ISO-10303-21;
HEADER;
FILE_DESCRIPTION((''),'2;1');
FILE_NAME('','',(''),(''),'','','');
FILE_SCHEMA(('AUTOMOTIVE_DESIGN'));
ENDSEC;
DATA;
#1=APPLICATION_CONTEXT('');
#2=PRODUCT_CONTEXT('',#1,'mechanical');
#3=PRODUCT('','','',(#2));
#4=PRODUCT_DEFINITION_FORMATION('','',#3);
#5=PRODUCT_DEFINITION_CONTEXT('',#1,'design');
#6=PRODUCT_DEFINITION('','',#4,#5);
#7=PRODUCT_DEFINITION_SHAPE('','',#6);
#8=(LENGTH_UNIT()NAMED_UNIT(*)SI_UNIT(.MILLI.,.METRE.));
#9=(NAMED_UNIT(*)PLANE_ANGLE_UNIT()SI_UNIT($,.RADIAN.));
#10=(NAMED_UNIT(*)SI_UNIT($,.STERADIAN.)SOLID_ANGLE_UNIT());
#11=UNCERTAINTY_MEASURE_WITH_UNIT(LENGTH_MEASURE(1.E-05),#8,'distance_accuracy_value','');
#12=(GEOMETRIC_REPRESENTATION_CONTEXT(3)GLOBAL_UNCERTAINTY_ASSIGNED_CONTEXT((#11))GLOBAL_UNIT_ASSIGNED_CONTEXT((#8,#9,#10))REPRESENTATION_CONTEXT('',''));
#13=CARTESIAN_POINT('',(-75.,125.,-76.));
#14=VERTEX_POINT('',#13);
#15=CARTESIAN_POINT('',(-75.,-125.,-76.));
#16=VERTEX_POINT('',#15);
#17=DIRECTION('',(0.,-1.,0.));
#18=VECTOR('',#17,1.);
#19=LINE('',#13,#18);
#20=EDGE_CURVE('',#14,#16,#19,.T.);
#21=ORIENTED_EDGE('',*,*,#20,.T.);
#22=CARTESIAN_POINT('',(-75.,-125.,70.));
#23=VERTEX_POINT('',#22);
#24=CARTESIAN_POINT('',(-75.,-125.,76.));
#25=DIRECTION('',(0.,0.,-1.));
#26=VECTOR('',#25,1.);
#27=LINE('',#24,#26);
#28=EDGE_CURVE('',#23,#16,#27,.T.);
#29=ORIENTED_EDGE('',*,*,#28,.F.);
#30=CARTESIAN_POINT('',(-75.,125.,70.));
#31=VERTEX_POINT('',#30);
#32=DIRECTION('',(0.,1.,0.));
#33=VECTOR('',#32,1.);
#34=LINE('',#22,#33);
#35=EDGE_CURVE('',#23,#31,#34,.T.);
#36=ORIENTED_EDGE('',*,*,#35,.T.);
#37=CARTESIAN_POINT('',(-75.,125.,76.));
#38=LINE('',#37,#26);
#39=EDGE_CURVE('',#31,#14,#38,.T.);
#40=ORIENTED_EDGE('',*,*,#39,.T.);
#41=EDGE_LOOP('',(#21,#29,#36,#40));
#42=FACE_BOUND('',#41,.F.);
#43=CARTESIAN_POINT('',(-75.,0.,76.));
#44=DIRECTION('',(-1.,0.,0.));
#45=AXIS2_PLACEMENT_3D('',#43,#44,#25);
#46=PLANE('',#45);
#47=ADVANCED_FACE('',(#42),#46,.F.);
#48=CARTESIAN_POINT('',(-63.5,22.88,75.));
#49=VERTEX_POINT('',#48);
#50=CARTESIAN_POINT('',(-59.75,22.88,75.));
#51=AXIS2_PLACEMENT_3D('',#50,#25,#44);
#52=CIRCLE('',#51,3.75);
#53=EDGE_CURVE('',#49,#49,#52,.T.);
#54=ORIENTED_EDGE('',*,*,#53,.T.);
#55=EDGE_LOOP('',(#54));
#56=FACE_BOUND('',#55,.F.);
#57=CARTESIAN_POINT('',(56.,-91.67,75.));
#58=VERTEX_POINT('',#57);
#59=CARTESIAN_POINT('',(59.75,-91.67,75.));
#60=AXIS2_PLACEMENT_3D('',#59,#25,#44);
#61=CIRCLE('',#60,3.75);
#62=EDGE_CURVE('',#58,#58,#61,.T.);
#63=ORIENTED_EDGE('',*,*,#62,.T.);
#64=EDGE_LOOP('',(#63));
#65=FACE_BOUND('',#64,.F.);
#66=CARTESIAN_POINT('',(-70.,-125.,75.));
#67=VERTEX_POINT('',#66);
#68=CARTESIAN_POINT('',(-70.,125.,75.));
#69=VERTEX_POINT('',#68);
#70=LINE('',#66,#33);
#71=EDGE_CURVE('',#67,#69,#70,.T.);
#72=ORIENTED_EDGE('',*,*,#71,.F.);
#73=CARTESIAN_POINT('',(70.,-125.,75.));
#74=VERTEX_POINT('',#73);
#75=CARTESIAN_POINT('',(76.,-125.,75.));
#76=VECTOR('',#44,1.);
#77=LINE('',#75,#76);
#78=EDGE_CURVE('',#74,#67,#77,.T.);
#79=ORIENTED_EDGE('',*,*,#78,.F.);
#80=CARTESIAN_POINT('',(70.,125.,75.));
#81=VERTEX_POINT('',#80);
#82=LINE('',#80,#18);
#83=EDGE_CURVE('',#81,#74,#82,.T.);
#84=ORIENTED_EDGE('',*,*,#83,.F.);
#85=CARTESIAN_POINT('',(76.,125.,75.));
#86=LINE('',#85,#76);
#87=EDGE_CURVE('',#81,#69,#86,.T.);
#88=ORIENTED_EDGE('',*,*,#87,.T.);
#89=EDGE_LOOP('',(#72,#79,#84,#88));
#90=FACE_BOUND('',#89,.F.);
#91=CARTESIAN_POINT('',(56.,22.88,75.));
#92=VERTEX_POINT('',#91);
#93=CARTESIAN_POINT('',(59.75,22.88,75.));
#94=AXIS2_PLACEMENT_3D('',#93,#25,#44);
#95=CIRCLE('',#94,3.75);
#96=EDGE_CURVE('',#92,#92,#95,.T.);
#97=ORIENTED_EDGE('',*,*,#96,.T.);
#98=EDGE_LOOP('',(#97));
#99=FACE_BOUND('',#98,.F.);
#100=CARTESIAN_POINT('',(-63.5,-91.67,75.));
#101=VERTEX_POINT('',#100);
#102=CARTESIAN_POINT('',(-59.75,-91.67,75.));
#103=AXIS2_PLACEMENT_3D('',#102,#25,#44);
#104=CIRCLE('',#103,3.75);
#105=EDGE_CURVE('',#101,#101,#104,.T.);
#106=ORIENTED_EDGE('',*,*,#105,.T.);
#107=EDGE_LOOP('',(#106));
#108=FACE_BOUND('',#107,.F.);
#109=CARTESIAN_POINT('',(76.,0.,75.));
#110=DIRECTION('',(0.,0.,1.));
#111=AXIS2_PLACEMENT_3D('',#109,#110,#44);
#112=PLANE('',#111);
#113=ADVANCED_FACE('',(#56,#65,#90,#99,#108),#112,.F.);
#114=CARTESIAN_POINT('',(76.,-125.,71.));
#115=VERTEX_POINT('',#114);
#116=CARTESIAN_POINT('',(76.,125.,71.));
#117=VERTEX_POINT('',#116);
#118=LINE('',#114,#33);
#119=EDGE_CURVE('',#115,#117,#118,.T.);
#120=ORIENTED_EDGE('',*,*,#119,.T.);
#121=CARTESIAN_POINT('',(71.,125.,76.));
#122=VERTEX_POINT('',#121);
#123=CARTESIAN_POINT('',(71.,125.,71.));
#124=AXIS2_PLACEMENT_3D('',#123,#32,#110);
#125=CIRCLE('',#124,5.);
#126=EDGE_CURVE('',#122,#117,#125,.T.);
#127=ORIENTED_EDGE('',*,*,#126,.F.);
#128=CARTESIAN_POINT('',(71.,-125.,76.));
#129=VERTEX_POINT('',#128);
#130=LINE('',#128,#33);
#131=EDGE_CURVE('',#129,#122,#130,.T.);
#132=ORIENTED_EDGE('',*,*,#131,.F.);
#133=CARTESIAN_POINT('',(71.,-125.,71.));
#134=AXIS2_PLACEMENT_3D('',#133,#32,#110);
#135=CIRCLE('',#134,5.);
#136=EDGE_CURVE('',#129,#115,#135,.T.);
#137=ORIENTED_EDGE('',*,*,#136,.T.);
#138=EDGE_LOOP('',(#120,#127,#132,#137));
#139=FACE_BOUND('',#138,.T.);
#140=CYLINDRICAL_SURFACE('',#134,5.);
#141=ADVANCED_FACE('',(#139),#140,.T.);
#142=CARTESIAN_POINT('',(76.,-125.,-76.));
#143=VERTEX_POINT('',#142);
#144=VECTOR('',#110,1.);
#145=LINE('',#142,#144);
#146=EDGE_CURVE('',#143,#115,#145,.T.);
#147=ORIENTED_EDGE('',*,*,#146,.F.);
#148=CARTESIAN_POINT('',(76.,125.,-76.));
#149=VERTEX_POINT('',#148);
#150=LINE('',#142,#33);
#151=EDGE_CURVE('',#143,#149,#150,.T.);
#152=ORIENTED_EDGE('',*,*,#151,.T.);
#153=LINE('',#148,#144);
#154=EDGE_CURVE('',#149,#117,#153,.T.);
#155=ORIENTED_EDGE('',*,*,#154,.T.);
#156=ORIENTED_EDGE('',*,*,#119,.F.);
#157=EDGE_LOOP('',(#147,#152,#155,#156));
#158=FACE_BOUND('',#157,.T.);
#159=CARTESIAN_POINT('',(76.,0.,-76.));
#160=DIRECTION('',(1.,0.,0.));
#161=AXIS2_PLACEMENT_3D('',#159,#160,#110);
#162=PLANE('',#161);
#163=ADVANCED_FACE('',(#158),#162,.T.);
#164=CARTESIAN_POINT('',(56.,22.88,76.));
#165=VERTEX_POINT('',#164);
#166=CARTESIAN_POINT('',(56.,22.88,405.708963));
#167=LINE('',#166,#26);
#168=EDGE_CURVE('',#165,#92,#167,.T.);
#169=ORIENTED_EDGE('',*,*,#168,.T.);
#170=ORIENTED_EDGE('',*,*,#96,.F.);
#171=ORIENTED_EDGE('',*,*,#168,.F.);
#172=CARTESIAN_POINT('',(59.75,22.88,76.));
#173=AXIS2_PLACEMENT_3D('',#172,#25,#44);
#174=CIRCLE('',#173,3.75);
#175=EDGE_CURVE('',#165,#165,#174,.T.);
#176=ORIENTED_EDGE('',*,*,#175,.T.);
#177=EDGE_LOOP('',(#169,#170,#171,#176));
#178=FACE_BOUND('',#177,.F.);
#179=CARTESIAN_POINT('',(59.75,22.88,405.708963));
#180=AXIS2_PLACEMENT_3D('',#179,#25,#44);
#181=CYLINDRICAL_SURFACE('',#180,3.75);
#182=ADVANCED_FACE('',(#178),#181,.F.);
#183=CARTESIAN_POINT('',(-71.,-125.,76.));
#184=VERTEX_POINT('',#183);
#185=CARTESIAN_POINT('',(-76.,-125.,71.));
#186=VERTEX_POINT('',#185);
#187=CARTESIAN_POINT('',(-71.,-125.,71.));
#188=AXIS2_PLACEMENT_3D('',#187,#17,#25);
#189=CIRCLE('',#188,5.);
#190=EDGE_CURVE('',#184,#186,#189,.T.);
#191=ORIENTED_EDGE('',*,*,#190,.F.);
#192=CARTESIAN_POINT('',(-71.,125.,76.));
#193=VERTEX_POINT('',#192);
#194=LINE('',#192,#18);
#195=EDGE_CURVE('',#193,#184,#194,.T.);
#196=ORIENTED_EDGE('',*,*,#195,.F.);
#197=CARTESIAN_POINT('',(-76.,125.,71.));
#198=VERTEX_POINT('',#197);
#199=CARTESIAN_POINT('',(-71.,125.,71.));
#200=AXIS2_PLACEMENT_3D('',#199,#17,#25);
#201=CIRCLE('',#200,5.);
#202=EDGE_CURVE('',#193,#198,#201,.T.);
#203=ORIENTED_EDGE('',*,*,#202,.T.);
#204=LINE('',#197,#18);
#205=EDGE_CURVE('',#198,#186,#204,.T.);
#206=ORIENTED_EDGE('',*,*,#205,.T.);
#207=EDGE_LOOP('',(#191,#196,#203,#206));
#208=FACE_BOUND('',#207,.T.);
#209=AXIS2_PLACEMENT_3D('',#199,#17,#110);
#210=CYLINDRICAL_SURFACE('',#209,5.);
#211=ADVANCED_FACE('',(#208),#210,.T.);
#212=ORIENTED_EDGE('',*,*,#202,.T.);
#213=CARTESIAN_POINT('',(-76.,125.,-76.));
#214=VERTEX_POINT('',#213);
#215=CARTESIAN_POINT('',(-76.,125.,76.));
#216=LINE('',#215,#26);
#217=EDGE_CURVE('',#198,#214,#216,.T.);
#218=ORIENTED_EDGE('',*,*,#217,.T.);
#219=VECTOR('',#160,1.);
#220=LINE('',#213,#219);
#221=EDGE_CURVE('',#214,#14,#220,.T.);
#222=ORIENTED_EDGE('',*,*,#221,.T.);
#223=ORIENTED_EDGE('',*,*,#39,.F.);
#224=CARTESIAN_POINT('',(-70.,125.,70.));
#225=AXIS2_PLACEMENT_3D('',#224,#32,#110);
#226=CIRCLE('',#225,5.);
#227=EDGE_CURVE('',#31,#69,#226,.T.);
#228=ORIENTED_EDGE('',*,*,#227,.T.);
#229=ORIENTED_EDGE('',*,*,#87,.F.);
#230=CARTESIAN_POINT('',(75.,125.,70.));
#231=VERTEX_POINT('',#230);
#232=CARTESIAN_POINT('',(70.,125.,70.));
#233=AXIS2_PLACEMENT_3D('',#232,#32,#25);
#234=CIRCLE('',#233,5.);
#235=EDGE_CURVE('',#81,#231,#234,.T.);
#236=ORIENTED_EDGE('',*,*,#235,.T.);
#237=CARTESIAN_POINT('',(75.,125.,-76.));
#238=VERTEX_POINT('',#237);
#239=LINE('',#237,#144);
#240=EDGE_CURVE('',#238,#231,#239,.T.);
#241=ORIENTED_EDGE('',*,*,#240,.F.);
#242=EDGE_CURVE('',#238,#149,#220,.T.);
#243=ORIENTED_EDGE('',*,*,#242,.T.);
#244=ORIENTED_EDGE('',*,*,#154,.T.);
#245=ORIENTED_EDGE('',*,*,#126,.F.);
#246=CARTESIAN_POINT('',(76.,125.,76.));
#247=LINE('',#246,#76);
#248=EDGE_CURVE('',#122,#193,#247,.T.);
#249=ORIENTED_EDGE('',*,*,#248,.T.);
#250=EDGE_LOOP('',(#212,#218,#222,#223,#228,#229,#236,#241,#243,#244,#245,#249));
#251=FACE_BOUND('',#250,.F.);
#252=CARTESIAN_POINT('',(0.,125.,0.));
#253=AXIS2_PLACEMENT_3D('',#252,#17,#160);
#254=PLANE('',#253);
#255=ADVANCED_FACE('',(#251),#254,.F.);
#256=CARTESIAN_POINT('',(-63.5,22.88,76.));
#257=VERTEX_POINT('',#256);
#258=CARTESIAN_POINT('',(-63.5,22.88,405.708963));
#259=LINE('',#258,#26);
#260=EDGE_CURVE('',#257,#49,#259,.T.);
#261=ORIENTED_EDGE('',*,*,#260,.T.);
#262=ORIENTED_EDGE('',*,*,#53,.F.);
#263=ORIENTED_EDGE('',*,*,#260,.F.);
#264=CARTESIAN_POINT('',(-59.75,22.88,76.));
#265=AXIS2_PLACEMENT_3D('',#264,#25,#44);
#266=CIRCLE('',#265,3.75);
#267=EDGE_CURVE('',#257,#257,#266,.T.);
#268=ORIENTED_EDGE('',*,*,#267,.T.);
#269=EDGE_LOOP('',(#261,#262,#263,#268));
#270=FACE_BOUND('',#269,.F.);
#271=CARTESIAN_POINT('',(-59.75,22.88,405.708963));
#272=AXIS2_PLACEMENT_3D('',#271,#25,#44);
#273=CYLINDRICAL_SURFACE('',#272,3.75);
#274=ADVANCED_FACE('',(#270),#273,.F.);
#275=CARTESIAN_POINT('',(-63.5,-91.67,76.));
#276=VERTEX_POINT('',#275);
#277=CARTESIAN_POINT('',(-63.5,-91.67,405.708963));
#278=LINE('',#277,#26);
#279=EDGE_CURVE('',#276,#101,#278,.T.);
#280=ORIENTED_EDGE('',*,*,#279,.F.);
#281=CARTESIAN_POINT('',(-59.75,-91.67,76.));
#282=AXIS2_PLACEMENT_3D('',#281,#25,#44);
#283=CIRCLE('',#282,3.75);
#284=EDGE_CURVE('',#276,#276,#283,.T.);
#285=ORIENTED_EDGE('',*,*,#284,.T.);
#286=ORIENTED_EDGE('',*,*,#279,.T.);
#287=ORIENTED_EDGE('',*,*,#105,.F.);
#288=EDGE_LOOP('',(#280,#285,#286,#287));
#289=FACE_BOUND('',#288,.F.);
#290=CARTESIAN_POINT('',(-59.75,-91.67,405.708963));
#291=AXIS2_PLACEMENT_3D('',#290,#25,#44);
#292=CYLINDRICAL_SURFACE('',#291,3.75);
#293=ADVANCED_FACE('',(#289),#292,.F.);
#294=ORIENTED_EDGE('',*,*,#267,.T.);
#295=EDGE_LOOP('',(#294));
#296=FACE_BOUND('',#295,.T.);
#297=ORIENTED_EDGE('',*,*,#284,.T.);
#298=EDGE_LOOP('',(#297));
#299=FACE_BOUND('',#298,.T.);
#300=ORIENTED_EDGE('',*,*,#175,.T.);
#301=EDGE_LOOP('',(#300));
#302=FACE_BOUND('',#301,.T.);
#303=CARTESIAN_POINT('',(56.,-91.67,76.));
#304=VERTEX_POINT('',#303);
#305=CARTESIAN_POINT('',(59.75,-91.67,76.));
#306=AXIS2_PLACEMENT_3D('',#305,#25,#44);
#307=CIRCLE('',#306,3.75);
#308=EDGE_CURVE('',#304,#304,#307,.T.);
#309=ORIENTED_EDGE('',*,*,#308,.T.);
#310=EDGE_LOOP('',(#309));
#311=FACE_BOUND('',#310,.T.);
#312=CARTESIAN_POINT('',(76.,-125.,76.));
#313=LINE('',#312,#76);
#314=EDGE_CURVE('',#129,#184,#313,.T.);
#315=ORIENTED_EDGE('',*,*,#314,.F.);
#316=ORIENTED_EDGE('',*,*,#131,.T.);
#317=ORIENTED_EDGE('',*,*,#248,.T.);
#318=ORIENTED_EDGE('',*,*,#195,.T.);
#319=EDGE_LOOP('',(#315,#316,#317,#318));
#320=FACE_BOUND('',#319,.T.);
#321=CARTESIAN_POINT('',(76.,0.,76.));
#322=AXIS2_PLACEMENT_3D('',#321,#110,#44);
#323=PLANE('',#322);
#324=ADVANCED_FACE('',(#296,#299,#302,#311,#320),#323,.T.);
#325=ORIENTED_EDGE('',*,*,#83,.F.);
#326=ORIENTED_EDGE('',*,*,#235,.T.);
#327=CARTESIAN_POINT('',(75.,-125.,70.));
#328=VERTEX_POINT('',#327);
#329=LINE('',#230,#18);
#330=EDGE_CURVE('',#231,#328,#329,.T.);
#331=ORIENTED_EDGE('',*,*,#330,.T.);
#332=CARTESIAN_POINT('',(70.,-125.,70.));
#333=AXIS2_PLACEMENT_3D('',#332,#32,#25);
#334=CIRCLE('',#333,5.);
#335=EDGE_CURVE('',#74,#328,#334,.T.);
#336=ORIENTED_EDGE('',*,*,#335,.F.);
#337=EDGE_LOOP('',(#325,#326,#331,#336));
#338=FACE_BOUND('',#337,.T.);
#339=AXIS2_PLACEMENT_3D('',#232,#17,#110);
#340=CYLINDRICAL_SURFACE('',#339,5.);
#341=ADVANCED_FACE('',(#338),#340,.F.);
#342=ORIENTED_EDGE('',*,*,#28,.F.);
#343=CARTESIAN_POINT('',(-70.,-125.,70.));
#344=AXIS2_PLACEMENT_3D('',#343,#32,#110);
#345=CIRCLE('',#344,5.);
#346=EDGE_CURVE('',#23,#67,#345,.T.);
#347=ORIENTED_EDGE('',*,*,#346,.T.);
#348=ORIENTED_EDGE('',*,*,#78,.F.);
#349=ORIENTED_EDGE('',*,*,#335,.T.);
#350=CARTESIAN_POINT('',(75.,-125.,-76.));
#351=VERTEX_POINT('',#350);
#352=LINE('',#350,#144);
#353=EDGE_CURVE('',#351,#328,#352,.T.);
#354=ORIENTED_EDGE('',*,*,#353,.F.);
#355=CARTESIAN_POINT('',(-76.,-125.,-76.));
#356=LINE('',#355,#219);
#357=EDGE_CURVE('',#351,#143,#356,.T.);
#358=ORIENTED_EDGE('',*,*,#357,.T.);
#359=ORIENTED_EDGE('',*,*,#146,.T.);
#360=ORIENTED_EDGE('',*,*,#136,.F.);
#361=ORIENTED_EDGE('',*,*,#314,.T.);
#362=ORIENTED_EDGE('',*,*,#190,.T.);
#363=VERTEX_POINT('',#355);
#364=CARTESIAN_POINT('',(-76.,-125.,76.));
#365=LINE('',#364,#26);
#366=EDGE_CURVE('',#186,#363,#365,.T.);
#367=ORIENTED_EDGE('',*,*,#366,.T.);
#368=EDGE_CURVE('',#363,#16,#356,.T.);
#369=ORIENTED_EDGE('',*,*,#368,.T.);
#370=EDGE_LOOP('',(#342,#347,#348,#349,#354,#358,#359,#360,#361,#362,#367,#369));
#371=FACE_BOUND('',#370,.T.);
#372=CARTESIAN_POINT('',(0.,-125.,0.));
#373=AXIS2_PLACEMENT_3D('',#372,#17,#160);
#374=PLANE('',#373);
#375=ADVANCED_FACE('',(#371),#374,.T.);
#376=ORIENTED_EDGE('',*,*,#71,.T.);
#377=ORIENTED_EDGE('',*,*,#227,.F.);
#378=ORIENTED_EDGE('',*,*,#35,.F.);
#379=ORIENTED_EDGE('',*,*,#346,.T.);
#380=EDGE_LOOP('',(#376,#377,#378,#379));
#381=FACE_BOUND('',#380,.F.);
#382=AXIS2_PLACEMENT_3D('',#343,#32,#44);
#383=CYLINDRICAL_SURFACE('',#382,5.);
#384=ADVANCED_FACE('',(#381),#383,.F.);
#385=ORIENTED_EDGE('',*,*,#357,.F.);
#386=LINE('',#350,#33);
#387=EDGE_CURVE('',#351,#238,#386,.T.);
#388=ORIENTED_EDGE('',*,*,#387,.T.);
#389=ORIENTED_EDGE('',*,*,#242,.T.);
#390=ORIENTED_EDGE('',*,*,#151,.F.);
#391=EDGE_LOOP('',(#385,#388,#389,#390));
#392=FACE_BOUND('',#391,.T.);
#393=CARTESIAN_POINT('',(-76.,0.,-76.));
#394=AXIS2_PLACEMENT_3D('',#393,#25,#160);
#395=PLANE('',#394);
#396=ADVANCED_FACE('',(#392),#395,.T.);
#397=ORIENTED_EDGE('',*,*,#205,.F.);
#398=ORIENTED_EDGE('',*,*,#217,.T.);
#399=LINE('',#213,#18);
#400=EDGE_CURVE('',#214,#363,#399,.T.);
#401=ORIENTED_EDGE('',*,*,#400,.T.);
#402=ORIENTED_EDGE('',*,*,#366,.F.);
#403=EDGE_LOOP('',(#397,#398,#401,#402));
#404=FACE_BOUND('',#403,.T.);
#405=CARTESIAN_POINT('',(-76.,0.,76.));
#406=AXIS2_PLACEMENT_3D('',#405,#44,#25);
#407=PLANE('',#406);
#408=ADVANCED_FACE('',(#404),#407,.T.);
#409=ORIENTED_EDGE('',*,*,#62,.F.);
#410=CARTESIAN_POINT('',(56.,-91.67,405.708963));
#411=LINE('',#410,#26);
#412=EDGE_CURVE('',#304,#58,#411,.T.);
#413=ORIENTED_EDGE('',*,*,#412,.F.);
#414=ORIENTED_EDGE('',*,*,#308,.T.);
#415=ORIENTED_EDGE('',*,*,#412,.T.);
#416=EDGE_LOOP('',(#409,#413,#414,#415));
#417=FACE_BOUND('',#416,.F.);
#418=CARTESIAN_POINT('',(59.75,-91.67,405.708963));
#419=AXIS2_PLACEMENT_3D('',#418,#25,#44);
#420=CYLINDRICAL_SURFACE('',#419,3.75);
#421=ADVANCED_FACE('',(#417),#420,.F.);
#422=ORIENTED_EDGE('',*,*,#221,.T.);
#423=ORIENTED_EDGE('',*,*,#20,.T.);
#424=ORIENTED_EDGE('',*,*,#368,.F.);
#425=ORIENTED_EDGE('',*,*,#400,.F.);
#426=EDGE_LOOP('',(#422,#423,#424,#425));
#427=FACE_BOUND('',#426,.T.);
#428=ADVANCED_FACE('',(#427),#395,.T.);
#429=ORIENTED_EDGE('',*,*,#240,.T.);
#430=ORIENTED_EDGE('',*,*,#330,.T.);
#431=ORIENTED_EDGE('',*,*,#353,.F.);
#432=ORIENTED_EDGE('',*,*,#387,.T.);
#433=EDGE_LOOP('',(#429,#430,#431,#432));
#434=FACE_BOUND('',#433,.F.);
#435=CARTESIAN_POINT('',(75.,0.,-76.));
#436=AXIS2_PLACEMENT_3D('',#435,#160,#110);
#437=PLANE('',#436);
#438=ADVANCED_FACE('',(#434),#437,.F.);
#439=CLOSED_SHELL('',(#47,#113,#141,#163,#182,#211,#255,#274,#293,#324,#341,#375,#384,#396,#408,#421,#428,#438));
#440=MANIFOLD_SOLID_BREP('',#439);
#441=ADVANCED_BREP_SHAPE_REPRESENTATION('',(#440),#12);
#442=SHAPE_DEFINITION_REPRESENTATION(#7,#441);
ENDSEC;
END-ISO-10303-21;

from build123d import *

# Parameters (mm, degrees)
F1_DEPTH = 125
F2_T     = -1
F4_D     = 7.5
F5_R     = 5


with BuildPart() as f1:
    # F0 (on Front) → F1 (new body, symmetric)
    with BuildSketch(Plane.XZ):
        Polygon((76, 76), (0, 76), (-76, 76), (-76, 0), (-76, -76), (0, -76), (76, -76), (76, 0), align=None)
    extrude(amount=F1_DEPTH, both=True)

    # F2
    f2_openings = [f1.faces().sort_by_distance(p)[0] for p in [
        (0, -125, 0),
        (0, 0, -76),
        (0, 125, 0),
    ]]
    offset(amount=F2_T, openings=f2_openings)

    # F4 (through all)
    with Locations(Plane.XY.offset(76)):
        with Locations((-59.75, 22.88), (59.75, 22.88), (59.75, -91.67), (-59.75, -91.67)):
            Hole(F4_D / 2)

    # F5
    f5_edges = [f1.edges().sort_by_distance(p)[0] for p in [
        (-75, 0, 75),
        (75, 0, 75),
        (76, 0, 76),
        (-76, 0, 76),
    ]]
    fillet(f5_edges, radius=F5_R)


solid = f1.part
